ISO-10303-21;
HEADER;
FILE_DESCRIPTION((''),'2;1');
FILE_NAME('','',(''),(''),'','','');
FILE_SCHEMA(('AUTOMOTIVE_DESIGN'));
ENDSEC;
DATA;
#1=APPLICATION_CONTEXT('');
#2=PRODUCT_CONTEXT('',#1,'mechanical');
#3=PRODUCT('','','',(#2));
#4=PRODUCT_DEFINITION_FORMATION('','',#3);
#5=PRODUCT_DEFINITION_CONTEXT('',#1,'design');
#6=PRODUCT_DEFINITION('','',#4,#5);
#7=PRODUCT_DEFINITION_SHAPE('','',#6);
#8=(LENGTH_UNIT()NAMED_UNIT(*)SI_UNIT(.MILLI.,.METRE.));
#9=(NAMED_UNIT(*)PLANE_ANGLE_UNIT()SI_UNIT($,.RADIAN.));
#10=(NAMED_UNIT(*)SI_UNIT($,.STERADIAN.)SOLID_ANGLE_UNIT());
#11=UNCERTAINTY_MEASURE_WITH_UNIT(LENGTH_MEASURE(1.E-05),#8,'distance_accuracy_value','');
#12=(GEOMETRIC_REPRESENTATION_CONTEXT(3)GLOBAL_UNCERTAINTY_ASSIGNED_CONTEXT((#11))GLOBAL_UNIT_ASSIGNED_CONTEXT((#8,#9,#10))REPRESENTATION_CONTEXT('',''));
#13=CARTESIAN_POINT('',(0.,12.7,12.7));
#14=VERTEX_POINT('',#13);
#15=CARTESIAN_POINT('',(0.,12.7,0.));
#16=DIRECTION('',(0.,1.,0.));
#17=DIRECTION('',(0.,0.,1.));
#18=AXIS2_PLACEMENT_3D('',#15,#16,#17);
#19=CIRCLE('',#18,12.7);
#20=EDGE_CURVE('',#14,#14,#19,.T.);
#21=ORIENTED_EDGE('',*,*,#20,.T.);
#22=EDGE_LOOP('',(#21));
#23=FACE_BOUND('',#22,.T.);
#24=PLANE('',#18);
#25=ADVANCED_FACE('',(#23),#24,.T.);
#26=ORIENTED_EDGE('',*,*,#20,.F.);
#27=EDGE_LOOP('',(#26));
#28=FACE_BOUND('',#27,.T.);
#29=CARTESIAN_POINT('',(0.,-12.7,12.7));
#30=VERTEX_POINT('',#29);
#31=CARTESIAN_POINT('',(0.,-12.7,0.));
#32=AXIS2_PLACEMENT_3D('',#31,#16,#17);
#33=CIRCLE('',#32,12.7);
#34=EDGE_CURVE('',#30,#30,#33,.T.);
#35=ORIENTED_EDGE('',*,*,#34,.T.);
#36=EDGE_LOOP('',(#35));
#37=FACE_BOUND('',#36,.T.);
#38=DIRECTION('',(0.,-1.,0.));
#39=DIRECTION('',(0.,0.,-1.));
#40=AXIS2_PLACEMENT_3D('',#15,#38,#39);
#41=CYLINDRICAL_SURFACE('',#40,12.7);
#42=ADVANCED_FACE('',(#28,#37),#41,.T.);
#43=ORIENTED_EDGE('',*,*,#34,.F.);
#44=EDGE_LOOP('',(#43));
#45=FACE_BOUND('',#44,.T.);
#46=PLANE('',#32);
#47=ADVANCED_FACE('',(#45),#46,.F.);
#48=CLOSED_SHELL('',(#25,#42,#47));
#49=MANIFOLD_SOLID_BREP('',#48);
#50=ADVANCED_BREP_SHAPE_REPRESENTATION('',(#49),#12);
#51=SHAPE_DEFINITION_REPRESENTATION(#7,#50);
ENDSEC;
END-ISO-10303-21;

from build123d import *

# Parameters (mm, degrees)
SKETCH1_R           = 12.7
BOSS_EXTRUDE1_DEPTH = 12.7


with BuildPart() as part:
    # Sketch1 → Boss-Extrude1 (new body, symmetric)
    with BuildSketch(Plane(origin=(0, 0, 0), x_dir=(1, 0, 0), z_dir=(0, 1, 0))):
        Circle(SKETCH1_R)
    extrude(amount=BOSS_EXTRUDE1_DEPTH, both=True)


solid = part.part
